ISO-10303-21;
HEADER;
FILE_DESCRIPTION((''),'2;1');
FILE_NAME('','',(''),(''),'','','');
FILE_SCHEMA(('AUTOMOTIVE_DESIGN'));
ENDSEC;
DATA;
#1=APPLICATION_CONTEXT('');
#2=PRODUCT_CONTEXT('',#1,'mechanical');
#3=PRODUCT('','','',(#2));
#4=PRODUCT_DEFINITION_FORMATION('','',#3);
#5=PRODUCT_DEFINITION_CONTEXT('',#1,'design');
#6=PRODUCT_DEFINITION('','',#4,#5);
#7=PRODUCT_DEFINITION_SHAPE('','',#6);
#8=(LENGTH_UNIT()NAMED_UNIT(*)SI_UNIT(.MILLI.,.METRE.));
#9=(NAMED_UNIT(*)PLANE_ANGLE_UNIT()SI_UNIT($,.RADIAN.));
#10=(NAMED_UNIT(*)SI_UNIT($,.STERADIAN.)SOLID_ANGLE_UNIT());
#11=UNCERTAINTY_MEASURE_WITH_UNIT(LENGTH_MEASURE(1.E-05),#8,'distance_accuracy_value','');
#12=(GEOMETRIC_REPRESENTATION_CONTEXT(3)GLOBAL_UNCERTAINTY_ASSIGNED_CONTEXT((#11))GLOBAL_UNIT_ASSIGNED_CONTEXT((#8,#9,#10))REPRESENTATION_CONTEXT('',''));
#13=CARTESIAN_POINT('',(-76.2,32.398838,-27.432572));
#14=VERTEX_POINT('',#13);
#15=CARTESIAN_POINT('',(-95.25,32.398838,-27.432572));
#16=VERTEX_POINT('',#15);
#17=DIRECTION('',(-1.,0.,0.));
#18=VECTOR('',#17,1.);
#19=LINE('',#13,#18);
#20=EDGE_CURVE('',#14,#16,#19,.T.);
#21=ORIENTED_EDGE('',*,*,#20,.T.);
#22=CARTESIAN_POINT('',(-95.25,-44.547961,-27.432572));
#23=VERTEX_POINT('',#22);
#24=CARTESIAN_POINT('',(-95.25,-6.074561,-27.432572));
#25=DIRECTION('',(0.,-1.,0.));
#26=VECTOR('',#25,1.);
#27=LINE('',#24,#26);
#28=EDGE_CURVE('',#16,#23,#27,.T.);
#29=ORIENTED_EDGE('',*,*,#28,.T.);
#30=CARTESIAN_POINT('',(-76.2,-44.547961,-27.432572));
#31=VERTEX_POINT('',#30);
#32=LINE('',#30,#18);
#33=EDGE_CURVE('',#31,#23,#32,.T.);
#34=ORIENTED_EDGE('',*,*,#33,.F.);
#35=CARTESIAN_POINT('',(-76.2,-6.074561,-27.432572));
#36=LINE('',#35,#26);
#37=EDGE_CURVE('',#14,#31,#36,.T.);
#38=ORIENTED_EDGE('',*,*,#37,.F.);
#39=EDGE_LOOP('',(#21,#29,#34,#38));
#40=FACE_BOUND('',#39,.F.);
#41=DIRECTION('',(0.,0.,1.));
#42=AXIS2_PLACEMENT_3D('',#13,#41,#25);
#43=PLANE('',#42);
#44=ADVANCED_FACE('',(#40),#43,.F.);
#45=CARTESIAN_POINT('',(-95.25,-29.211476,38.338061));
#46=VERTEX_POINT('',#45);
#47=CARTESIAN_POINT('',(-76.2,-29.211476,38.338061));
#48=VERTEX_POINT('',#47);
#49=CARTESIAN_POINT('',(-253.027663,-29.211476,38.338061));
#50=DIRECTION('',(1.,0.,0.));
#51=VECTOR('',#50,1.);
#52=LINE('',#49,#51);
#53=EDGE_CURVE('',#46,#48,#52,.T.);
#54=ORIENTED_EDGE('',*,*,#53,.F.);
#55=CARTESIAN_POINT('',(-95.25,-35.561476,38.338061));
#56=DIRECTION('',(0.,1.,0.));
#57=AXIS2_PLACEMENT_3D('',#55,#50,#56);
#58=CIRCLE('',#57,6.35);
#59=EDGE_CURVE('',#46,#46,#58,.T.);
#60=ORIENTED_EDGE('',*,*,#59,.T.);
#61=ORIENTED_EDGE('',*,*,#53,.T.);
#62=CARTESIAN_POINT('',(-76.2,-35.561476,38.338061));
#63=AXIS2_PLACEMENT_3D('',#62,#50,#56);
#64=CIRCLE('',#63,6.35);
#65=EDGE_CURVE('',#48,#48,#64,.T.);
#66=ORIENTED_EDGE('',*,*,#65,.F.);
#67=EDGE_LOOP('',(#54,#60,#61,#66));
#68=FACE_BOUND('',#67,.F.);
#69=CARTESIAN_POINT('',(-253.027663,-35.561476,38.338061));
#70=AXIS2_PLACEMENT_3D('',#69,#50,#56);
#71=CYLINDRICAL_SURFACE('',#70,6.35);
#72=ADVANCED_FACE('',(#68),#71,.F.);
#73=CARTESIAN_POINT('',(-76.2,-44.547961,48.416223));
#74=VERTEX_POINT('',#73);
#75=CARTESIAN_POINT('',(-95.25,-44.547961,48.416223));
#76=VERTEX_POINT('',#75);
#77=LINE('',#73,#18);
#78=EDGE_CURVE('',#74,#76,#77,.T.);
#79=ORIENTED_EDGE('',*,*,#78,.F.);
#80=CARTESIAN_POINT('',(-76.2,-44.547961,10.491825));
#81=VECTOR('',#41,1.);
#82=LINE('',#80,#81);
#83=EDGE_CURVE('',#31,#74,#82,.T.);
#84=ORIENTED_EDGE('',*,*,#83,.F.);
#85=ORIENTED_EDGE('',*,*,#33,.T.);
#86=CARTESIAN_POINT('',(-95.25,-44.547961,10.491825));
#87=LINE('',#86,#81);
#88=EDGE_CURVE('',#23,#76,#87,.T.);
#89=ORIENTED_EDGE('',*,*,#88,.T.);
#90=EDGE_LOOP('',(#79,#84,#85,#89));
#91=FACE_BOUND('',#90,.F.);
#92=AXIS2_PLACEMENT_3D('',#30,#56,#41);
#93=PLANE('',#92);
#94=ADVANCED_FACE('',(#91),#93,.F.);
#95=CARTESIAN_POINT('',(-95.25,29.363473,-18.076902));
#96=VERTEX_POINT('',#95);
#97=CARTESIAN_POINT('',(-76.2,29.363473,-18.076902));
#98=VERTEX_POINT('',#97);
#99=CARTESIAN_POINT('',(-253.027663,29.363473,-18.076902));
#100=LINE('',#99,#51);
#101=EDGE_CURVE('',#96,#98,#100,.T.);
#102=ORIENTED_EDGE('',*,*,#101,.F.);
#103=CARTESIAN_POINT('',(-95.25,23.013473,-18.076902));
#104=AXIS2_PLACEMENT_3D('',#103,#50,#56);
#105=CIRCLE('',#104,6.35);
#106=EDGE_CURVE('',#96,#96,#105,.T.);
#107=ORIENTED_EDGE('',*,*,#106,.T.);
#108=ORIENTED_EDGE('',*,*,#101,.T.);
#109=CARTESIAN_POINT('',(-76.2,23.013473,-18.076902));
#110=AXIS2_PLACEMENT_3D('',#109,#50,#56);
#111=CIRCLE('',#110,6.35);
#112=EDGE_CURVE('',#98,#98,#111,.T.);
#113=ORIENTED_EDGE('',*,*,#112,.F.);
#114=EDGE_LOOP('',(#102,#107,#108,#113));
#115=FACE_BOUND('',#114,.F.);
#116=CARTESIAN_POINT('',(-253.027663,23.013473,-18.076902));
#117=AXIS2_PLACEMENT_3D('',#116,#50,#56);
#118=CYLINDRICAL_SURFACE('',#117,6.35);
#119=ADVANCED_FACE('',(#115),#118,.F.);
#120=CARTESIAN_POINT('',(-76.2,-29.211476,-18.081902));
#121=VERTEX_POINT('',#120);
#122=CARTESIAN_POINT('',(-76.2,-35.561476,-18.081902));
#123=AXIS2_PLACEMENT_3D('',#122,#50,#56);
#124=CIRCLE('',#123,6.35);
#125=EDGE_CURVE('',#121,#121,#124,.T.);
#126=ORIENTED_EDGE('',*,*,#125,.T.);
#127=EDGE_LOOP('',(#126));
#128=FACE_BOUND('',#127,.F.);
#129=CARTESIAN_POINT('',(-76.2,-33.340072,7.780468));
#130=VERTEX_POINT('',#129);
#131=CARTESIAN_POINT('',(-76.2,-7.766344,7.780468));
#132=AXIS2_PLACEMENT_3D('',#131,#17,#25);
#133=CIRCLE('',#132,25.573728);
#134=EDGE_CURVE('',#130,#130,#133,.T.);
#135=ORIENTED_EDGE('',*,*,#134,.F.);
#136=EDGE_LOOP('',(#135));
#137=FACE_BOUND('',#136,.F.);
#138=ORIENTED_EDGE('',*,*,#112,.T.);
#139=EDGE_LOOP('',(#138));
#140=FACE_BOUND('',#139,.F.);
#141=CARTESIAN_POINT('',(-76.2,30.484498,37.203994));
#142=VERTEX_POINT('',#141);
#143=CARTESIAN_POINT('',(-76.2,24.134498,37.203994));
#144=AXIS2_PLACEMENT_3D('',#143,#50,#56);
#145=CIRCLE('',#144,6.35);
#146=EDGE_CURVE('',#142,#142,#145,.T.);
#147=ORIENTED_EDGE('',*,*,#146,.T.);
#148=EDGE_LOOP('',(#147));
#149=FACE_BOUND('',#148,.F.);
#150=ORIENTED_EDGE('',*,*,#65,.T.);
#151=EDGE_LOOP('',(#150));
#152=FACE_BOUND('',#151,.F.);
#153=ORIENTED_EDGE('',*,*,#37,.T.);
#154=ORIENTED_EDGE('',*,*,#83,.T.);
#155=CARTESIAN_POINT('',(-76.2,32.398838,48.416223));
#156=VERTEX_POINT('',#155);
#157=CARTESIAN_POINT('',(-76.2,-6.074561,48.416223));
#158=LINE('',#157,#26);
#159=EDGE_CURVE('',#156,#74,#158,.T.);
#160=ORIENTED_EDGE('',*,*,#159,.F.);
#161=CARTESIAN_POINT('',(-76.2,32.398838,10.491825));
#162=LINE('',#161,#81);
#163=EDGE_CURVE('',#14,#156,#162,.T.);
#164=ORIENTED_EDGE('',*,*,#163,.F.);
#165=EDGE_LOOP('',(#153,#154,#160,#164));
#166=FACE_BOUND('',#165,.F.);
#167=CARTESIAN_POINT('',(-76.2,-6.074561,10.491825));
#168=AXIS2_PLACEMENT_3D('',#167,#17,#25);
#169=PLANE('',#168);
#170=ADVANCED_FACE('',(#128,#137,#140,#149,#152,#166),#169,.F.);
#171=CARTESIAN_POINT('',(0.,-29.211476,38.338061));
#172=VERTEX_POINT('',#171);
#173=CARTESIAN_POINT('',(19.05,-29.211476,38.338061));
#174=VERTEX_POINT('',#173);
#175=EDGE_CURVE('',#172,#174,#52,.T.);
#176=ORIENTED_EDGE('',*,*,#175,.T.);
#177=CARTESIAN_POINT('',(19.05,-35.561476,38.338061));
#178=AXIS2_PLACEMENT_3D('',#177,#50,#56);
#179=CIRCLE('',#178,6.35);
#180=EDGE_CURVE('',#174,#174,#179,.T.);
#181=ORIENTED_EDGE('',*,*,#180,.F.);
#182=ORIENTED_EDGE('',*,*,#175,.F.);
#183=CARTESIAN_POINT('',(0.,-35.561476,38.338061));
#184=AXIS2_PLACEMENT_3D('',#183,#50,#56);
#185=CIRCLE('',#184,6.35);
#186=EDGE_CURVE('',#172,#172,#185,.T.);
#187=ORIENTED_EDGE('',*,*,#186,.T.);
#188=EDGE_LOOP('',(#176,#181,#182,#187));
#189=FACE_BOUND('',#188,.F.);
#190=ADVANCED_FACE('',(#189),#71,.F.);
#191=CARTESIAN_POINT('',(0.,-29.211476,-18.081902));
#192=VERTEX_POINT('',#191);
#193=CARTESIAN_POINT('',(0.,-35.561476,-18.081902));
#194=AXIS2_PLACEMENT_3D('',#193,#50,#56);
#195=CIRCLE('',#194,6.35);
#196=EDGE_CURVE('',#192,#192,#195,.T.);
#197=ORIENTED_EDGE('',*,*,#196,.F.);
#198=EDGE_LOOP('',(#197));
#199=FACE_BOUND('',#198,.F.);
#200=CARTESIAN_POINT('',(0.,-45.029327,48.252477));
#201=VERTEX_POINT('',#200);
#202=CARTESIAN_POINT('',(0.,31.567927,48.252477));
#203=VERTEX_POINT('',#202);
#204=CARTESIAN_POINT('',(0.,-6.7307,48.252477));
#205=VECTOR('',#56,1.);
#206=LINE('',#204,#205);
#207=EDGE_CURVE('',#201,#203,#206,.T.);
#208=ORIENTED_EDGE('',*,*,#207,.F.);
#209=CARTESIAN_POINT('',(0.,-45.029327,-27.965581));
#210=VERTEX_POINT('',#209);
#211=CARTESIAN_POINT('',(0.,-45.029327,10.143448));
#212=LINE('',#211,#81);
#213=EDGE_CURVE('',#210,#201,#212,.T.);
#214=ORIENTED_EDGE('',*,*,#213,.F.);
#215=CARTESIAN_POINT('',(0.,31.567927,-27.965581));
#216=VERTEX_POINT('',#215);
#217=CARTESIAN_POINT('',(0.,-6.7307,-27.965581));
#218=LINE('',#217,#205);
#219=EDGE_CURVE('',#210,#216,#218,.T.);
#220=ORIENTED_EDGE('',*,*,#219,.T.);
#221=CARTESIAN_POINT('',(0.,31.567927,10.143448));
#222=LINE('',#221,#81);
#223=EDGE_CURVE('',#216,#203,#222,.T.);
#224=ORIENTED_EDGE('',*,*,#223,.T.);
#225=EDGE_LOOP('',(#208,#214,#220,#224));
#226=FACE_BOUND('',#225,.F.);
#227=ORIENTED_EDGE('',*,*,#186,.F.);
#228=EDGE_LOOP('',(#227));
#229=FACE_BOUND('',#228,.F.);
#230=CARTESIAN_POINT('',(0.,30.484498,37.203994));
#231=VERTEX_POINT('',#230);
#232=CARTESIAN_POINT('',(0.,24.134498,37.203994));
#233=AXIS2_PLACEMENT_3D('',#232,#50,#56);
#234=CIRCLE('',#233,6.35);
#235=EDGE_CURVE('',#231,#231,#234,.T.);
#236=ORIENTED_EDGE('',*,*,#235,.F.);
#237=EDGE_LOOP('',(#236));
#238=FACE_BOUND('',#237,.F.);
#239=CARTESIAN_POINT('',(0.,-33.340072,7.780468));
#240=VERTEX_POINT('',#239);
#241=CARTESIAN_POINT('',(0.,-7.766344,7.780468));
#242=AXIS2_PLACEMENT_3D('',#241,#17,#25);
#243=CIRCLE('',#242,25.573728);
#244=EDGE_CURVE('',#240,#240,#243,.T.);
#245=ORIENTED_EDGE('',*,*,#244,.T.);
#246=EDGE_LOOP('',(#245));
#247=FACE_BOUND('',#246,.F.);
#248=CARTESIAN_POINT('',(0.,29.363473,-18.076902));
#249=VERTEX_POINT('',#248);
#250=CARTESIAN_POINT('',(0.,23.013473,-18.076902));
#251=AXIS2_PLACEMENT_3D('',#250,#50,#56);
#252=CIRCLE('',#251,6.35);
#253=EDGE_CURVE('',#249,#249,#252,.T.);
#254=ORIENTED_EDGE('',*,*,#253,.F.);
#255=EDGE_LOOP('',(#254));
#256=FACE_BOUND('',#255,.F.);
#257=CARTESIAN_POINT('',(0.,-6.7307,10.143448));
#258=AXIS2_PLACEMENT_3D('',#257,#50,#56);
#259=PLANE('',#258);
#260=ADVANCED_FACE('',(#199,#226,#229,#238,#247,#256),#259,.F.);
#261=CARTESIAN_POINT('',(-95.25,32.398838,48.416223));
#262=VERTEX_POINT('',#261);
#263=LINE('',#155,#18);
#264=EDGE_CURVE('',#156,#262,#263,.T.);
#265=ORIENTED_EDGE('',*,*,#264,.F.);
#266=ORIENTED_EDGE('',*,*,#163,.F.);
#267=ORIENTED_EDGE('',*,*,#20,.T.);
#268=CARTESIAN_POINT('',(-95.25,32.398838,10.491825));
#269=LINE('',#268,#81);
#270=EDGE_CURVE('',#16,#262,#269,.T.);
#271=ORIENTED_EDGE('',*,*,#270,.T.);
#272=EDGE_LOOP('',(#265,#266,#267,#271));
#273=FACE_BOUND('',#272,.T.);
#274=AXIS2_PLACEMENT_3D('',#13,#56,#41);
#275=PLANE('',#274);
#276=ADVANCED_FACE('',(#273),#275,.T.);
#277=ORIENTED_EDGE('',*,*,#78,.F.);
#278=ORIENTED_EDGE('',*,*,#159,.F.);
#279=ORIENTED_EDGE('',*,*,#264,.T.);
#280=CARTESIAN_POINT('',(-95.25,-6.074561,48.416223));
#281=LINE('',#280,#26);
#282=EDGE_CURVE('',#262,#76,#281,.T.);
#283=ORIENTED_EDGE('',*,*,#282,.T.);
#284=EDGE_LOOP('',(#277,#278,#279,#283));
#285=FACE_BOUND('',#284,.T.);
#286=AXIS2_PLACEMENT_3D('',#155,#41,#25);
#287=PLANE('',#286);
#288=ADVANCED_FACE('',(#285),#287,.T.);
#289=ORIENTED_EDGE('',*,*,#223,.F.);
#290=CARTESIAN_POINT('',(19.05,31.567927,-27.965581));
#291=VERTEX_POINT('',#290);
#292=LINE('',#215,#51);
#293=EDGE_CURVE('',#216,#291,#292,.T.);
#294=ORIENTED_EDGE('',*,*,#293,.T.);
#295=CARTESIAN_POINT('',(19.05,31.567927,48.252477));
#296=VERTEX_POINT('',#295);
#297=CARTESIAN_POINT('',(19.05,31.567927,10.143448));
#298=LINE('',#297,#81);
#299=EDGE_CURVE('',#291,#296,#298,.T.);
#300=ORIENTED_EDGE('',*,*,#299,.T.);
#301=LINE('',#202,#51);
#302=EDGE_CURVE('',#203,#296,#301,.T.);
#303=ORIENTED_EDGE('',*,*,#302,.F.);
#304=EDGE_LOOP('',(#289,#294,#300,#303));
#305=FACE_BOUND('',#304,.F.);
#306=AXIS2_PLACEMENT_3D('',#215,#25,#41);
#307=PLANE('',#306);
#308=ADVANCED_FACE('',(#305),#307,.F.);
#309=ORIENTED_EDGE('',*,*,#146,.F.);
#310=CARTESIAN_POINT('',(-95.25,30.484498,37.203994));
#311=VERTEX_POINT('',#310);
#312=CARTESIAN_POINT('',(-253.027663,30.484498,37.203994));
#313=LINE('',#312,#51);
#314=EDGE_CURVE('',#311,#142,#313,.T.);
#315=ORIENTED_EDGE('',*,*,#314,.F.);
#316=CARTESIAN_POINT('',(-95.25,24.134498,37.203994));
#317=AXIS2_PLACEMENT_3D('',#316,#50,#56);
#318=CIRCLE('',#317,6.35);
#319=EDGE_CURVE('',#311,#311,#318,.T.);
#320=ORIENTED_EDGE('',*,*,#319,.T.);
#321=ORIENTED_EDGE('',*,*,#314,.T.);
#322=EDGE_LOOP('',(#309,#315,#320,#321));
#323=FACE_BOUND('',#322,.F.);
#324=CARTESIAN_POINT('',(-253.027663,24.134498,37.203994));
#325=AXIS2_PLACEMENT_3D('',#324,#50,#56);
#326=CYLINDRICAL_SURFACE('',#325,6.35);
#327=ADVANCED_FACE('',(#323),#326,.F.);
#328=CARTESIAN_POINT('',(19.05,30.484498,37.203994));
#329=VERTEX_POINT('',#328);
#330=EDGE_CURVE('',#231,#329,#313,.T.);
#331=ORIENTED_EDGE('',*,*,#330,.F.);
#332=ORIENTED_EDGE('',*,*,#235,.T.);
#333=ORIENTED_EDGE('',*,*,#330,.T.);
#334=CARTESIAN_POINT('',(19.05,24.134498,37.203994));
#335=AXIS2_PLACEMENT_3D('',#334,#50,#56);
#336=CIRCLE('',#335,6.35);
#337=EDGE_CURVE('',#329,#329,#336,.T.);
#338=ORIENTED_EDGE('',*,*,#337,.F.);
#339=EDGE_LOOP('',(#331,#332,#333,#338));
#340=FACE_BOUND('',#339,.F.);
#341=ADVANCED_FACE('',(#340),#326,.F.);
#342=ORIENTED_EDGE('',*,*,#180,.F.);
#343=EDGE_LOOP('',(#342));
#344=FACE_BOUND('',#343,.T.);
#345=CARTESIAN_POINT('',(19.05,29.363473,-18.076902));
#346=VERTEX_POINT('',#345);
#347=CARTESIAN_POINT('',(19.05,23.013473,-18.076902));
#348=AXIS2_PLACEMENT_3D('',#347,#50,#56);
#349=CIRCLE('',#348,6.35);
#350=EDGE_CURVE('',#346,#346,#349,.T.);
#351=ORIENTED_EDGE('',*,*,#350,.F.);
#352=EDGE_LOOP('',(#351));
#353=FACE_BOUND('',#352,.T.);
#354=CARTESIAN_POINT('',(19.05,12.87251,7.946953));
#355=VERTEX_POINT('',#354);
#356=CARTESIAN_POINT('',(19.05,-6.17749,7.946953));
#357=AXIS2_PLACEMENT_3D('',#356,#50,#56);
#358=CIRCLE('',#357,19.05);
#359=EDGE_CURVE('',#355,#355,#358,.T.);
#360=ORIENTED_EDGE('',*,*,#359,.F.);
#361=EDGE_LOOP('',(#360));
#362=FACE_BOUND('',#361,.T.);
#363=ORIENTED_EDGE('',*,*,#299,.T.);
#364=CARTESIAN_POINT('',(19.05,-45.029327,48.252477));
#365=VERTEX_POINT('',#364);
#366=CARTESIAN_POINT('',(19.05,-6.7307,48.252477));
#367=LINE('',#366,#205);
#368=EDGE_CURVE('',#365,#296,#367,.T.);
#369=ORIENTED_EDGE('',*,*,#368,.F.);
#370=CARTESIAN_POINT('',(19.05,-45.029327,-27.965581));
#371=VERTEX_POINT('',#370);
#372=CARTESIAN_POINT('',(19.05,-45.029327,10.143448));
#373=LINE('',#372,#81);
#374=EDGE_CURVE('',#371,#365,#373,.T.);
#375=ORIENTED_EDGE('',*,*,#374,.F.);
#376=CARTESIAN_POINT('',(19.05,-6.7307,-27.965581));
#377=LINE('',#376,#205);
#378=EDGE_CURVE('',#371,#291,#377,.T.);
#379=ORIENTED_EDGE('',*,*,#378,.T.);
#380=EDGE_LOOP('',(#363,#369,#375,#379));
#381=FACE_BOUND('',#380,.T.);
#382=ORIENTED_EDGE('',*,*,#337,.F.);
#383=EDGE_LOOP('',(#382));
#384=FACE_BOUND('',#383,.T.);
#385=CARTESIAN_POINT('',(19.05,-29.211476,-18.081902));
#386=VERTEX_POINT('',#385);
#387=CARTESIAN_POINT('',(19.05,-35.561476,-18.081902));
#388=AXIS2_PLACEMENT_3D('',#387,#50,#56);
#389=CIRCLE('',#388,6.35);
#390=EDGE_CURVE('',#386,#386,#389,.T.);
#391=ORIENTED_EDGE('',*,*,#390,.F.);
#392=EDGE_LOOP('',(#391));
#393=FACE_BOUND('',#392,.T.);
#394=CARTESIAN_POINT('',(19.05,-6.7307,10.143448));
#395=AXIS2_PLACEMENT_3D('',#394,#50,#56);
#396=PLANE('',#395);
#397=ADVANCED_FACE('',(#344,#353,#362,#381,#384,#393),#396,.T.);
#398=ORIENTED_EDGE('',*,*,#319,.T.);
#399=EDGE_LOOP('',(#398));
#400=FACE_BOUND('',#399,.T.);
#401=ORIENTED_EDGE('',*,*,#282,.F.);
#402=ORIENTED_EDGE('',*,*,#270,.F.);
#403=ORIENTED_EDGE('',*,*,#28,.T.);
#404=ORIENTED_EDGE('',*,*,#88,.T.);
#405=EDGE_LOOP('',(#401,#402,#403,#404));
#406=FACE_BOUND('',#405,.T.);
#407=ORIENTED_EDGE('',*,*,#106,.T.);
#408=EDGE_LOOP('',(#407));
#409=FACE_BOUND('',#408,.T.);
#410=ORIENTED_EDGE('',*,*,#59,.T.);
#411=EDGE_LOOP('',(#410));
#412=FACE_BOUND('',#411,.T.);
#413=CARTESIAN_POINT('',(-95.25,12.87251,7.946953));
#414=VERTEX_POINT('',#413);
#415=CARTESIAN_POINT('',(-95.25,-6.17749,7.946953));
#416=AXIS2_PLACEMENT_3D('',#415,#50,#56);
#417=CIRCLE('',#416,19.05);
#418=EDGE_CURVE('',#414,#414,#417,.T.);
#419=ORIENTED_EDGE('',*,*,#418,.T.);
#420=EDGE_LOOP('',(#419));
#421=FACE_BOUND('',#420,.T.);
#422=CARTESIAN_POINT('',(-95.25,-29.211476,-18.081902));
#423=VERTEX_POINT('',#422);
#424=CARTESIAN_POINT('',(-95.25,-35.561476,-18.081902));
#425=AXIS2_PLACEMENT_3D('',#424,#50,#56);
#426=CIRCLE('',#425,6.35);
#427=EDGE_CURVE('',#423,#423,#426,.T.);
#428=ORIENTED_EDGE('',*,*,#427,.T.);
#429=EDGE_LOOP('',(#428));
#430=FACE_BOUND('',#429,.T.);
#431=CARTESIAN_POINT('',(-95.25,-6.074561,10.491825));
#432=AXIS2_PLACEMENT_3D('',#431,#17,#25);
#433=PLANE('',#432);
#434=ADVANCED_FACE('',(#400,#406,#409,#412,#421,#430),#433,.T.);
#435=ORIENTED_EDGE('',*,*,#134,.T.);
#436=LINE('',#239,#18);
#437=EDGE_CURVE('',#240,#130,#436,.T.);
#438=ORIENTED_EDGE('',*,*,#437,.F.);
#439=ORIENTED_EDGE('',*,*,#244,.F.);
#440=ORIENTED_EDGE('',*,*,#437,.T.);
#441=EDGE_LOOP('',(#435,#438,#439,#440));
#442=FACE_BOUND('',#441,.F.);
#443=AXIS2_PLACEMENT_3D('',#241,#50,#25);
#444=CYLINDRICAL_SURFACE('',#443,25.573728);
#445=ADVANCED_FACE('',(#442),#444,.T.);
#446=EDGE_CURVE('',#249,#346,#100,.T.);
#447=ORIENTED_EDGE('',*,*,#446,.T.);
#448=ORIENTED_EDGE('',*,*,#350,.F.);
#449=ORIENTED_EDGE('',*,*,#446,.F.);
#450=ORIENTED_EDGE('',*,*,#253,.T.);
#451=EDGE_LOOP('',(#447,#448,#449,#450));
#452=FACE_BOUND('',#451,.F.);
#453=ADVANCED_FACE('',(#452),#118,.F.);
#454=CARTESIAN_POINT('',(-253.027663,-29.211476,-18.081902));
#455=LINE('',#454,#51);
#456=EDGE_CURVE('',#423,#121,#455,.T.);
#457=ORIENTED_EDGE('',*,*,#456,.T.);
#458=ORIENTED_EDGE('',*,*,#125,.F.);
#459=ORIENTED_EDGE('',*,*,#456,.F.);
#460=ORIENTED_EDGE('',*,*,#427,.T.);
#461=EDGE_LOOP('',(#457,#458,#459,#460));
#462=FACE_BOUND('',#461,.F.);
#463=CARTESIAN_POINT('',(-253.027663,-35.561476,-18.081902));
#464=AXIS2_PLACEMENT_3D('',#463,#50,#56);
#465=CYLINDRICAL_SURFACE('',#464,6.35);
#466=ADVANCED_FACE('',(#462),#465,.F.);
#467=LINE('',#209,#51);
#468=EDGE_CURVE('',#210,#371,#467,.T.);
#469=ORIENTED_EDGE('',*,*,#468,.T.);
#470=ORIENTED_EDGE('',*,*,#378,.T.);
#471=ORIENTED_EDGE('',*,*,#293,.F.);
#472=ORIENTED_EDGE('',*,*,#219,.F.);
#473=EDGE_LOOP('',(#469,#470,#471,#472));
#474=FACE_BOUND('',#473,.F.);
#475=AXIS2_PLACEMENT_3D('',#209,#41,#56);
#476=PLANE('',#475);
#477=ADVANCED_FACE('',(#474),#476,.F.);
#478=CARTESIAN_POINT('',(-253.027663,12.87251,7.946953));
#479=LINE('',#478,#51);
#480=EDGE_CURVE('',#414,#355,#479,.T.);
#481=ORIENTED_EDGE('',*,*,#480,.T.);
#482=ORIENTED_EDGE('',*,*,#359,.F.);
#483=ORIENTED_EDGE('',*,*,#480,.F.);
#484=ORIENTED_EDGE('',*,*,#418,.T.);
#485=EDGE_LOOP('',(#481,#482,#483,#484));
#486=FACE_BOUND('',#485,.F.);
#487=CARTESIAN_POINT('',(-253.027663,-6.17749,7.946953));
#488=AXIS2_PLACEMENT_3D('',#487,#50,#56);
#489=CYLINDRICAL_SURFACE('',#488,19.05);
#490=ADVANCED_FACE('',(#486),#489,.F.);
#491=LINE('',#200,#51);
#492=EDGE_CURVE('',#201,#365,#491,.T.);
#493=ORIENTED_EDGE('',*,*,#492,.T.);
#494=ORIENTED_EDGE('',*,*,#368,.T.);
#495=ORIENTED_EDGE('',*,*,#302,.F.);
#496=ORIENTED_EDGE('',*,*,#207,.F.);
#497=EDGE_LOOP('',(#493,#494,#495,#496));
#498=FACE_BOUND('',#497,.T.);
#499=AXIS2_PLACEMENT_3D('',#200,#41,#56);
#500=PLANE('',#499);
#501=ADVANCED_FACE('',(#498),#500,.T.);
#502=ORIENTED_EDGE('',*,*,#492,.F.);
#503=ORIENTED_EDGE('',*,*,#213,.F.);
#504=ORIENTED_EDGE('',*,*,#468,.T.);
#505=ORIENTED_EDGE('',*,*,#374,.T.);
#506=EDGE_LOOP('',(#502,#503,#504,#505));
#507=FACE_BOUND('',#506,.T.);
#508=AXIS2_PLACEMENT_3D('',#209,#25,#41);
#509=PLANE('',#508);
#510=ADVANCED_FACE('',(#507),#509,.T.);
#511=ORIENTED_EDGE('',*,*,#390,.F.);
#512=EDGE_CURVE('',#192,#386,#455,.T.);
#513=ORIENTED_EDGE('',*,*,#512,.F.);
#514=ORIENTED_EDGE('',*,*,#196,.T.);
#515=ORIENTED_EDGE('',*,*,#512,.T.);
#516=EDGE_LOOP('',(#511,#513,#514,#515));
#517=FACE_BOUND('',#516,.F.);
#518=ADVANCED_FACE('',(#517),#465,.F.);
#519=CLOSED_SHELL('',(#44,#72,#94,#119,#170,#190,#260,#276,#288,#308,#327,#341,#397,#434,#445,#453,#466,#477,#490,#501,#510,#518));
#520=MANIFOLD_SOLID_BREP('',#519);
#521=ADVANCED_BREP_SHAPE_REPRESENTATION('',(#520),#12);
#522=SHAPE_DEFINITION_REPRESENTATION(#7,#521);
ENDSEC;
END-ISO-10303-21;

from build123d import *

# Parameters (mm, degrees)
F0_W     = 76.597254
F0_H     = 76.218059
F1_DEPTH = 19.05
F2_R     = 25.573728
F3_DEPTH = 76.2
F4_W     = 76.946799
F4_H     = 75.848795
F5_DEPTH = 19.05
F8_D     = 12.7
F9_D     = 38.1


with BuildPart() as f1:
    # F0 (on Right) → F1 (new body)
    with BuildSketch(Plane.YZ):
        with Locations((-6.7307, 10.143448)):
            Rectangle(F0_W, F0_H)
    extrude(amount=F1_DEPTH)

    # F2 (on face) → F3 (join)
    with BuildSketch(Plane(origin=(0, 0, 0), x_dir=(0, -1, 0), z_dir=(-1, 0, 0))):
        with Locations((7.766344, 7.780468)):
            Circle(F2_R)
    extrude(amount=F3_DEPTH)

    # F4 (on face) → F5 (join)
    with BuildSketch(Plane(origin=(-76.2, 0, 0), x_dir=(0, -1, 0), z_dir=(-1, 0, 0))):
        with Locations((6.074561, 10.491825)):
            Rectangle(F4_W, F4_H)
    extrude(amount=F5_DEPTH)

    # F8 (through all)
    with Locations(Plane(origin=(-95.25, 0, 0), x_dir=(0, -1, 0), z_dir=(-1, 0, 0))):
        with Locations((-23.013473, -18.076902), (-24.134498, 37.203994), (35.561476, 38.338061), (35.561476, -18.081902)):
            Hole(F8_D / 2)

    # F9 (through all)
    with Locations(Plane(origin=(-95.25, 0, 0), x_dir=(0, -1, 0), z_dir=(-1, 0, 0))):
        with Locations((6.17749, 7.946953)):
            Hole(F9_D / 2)


solid = f1.part
